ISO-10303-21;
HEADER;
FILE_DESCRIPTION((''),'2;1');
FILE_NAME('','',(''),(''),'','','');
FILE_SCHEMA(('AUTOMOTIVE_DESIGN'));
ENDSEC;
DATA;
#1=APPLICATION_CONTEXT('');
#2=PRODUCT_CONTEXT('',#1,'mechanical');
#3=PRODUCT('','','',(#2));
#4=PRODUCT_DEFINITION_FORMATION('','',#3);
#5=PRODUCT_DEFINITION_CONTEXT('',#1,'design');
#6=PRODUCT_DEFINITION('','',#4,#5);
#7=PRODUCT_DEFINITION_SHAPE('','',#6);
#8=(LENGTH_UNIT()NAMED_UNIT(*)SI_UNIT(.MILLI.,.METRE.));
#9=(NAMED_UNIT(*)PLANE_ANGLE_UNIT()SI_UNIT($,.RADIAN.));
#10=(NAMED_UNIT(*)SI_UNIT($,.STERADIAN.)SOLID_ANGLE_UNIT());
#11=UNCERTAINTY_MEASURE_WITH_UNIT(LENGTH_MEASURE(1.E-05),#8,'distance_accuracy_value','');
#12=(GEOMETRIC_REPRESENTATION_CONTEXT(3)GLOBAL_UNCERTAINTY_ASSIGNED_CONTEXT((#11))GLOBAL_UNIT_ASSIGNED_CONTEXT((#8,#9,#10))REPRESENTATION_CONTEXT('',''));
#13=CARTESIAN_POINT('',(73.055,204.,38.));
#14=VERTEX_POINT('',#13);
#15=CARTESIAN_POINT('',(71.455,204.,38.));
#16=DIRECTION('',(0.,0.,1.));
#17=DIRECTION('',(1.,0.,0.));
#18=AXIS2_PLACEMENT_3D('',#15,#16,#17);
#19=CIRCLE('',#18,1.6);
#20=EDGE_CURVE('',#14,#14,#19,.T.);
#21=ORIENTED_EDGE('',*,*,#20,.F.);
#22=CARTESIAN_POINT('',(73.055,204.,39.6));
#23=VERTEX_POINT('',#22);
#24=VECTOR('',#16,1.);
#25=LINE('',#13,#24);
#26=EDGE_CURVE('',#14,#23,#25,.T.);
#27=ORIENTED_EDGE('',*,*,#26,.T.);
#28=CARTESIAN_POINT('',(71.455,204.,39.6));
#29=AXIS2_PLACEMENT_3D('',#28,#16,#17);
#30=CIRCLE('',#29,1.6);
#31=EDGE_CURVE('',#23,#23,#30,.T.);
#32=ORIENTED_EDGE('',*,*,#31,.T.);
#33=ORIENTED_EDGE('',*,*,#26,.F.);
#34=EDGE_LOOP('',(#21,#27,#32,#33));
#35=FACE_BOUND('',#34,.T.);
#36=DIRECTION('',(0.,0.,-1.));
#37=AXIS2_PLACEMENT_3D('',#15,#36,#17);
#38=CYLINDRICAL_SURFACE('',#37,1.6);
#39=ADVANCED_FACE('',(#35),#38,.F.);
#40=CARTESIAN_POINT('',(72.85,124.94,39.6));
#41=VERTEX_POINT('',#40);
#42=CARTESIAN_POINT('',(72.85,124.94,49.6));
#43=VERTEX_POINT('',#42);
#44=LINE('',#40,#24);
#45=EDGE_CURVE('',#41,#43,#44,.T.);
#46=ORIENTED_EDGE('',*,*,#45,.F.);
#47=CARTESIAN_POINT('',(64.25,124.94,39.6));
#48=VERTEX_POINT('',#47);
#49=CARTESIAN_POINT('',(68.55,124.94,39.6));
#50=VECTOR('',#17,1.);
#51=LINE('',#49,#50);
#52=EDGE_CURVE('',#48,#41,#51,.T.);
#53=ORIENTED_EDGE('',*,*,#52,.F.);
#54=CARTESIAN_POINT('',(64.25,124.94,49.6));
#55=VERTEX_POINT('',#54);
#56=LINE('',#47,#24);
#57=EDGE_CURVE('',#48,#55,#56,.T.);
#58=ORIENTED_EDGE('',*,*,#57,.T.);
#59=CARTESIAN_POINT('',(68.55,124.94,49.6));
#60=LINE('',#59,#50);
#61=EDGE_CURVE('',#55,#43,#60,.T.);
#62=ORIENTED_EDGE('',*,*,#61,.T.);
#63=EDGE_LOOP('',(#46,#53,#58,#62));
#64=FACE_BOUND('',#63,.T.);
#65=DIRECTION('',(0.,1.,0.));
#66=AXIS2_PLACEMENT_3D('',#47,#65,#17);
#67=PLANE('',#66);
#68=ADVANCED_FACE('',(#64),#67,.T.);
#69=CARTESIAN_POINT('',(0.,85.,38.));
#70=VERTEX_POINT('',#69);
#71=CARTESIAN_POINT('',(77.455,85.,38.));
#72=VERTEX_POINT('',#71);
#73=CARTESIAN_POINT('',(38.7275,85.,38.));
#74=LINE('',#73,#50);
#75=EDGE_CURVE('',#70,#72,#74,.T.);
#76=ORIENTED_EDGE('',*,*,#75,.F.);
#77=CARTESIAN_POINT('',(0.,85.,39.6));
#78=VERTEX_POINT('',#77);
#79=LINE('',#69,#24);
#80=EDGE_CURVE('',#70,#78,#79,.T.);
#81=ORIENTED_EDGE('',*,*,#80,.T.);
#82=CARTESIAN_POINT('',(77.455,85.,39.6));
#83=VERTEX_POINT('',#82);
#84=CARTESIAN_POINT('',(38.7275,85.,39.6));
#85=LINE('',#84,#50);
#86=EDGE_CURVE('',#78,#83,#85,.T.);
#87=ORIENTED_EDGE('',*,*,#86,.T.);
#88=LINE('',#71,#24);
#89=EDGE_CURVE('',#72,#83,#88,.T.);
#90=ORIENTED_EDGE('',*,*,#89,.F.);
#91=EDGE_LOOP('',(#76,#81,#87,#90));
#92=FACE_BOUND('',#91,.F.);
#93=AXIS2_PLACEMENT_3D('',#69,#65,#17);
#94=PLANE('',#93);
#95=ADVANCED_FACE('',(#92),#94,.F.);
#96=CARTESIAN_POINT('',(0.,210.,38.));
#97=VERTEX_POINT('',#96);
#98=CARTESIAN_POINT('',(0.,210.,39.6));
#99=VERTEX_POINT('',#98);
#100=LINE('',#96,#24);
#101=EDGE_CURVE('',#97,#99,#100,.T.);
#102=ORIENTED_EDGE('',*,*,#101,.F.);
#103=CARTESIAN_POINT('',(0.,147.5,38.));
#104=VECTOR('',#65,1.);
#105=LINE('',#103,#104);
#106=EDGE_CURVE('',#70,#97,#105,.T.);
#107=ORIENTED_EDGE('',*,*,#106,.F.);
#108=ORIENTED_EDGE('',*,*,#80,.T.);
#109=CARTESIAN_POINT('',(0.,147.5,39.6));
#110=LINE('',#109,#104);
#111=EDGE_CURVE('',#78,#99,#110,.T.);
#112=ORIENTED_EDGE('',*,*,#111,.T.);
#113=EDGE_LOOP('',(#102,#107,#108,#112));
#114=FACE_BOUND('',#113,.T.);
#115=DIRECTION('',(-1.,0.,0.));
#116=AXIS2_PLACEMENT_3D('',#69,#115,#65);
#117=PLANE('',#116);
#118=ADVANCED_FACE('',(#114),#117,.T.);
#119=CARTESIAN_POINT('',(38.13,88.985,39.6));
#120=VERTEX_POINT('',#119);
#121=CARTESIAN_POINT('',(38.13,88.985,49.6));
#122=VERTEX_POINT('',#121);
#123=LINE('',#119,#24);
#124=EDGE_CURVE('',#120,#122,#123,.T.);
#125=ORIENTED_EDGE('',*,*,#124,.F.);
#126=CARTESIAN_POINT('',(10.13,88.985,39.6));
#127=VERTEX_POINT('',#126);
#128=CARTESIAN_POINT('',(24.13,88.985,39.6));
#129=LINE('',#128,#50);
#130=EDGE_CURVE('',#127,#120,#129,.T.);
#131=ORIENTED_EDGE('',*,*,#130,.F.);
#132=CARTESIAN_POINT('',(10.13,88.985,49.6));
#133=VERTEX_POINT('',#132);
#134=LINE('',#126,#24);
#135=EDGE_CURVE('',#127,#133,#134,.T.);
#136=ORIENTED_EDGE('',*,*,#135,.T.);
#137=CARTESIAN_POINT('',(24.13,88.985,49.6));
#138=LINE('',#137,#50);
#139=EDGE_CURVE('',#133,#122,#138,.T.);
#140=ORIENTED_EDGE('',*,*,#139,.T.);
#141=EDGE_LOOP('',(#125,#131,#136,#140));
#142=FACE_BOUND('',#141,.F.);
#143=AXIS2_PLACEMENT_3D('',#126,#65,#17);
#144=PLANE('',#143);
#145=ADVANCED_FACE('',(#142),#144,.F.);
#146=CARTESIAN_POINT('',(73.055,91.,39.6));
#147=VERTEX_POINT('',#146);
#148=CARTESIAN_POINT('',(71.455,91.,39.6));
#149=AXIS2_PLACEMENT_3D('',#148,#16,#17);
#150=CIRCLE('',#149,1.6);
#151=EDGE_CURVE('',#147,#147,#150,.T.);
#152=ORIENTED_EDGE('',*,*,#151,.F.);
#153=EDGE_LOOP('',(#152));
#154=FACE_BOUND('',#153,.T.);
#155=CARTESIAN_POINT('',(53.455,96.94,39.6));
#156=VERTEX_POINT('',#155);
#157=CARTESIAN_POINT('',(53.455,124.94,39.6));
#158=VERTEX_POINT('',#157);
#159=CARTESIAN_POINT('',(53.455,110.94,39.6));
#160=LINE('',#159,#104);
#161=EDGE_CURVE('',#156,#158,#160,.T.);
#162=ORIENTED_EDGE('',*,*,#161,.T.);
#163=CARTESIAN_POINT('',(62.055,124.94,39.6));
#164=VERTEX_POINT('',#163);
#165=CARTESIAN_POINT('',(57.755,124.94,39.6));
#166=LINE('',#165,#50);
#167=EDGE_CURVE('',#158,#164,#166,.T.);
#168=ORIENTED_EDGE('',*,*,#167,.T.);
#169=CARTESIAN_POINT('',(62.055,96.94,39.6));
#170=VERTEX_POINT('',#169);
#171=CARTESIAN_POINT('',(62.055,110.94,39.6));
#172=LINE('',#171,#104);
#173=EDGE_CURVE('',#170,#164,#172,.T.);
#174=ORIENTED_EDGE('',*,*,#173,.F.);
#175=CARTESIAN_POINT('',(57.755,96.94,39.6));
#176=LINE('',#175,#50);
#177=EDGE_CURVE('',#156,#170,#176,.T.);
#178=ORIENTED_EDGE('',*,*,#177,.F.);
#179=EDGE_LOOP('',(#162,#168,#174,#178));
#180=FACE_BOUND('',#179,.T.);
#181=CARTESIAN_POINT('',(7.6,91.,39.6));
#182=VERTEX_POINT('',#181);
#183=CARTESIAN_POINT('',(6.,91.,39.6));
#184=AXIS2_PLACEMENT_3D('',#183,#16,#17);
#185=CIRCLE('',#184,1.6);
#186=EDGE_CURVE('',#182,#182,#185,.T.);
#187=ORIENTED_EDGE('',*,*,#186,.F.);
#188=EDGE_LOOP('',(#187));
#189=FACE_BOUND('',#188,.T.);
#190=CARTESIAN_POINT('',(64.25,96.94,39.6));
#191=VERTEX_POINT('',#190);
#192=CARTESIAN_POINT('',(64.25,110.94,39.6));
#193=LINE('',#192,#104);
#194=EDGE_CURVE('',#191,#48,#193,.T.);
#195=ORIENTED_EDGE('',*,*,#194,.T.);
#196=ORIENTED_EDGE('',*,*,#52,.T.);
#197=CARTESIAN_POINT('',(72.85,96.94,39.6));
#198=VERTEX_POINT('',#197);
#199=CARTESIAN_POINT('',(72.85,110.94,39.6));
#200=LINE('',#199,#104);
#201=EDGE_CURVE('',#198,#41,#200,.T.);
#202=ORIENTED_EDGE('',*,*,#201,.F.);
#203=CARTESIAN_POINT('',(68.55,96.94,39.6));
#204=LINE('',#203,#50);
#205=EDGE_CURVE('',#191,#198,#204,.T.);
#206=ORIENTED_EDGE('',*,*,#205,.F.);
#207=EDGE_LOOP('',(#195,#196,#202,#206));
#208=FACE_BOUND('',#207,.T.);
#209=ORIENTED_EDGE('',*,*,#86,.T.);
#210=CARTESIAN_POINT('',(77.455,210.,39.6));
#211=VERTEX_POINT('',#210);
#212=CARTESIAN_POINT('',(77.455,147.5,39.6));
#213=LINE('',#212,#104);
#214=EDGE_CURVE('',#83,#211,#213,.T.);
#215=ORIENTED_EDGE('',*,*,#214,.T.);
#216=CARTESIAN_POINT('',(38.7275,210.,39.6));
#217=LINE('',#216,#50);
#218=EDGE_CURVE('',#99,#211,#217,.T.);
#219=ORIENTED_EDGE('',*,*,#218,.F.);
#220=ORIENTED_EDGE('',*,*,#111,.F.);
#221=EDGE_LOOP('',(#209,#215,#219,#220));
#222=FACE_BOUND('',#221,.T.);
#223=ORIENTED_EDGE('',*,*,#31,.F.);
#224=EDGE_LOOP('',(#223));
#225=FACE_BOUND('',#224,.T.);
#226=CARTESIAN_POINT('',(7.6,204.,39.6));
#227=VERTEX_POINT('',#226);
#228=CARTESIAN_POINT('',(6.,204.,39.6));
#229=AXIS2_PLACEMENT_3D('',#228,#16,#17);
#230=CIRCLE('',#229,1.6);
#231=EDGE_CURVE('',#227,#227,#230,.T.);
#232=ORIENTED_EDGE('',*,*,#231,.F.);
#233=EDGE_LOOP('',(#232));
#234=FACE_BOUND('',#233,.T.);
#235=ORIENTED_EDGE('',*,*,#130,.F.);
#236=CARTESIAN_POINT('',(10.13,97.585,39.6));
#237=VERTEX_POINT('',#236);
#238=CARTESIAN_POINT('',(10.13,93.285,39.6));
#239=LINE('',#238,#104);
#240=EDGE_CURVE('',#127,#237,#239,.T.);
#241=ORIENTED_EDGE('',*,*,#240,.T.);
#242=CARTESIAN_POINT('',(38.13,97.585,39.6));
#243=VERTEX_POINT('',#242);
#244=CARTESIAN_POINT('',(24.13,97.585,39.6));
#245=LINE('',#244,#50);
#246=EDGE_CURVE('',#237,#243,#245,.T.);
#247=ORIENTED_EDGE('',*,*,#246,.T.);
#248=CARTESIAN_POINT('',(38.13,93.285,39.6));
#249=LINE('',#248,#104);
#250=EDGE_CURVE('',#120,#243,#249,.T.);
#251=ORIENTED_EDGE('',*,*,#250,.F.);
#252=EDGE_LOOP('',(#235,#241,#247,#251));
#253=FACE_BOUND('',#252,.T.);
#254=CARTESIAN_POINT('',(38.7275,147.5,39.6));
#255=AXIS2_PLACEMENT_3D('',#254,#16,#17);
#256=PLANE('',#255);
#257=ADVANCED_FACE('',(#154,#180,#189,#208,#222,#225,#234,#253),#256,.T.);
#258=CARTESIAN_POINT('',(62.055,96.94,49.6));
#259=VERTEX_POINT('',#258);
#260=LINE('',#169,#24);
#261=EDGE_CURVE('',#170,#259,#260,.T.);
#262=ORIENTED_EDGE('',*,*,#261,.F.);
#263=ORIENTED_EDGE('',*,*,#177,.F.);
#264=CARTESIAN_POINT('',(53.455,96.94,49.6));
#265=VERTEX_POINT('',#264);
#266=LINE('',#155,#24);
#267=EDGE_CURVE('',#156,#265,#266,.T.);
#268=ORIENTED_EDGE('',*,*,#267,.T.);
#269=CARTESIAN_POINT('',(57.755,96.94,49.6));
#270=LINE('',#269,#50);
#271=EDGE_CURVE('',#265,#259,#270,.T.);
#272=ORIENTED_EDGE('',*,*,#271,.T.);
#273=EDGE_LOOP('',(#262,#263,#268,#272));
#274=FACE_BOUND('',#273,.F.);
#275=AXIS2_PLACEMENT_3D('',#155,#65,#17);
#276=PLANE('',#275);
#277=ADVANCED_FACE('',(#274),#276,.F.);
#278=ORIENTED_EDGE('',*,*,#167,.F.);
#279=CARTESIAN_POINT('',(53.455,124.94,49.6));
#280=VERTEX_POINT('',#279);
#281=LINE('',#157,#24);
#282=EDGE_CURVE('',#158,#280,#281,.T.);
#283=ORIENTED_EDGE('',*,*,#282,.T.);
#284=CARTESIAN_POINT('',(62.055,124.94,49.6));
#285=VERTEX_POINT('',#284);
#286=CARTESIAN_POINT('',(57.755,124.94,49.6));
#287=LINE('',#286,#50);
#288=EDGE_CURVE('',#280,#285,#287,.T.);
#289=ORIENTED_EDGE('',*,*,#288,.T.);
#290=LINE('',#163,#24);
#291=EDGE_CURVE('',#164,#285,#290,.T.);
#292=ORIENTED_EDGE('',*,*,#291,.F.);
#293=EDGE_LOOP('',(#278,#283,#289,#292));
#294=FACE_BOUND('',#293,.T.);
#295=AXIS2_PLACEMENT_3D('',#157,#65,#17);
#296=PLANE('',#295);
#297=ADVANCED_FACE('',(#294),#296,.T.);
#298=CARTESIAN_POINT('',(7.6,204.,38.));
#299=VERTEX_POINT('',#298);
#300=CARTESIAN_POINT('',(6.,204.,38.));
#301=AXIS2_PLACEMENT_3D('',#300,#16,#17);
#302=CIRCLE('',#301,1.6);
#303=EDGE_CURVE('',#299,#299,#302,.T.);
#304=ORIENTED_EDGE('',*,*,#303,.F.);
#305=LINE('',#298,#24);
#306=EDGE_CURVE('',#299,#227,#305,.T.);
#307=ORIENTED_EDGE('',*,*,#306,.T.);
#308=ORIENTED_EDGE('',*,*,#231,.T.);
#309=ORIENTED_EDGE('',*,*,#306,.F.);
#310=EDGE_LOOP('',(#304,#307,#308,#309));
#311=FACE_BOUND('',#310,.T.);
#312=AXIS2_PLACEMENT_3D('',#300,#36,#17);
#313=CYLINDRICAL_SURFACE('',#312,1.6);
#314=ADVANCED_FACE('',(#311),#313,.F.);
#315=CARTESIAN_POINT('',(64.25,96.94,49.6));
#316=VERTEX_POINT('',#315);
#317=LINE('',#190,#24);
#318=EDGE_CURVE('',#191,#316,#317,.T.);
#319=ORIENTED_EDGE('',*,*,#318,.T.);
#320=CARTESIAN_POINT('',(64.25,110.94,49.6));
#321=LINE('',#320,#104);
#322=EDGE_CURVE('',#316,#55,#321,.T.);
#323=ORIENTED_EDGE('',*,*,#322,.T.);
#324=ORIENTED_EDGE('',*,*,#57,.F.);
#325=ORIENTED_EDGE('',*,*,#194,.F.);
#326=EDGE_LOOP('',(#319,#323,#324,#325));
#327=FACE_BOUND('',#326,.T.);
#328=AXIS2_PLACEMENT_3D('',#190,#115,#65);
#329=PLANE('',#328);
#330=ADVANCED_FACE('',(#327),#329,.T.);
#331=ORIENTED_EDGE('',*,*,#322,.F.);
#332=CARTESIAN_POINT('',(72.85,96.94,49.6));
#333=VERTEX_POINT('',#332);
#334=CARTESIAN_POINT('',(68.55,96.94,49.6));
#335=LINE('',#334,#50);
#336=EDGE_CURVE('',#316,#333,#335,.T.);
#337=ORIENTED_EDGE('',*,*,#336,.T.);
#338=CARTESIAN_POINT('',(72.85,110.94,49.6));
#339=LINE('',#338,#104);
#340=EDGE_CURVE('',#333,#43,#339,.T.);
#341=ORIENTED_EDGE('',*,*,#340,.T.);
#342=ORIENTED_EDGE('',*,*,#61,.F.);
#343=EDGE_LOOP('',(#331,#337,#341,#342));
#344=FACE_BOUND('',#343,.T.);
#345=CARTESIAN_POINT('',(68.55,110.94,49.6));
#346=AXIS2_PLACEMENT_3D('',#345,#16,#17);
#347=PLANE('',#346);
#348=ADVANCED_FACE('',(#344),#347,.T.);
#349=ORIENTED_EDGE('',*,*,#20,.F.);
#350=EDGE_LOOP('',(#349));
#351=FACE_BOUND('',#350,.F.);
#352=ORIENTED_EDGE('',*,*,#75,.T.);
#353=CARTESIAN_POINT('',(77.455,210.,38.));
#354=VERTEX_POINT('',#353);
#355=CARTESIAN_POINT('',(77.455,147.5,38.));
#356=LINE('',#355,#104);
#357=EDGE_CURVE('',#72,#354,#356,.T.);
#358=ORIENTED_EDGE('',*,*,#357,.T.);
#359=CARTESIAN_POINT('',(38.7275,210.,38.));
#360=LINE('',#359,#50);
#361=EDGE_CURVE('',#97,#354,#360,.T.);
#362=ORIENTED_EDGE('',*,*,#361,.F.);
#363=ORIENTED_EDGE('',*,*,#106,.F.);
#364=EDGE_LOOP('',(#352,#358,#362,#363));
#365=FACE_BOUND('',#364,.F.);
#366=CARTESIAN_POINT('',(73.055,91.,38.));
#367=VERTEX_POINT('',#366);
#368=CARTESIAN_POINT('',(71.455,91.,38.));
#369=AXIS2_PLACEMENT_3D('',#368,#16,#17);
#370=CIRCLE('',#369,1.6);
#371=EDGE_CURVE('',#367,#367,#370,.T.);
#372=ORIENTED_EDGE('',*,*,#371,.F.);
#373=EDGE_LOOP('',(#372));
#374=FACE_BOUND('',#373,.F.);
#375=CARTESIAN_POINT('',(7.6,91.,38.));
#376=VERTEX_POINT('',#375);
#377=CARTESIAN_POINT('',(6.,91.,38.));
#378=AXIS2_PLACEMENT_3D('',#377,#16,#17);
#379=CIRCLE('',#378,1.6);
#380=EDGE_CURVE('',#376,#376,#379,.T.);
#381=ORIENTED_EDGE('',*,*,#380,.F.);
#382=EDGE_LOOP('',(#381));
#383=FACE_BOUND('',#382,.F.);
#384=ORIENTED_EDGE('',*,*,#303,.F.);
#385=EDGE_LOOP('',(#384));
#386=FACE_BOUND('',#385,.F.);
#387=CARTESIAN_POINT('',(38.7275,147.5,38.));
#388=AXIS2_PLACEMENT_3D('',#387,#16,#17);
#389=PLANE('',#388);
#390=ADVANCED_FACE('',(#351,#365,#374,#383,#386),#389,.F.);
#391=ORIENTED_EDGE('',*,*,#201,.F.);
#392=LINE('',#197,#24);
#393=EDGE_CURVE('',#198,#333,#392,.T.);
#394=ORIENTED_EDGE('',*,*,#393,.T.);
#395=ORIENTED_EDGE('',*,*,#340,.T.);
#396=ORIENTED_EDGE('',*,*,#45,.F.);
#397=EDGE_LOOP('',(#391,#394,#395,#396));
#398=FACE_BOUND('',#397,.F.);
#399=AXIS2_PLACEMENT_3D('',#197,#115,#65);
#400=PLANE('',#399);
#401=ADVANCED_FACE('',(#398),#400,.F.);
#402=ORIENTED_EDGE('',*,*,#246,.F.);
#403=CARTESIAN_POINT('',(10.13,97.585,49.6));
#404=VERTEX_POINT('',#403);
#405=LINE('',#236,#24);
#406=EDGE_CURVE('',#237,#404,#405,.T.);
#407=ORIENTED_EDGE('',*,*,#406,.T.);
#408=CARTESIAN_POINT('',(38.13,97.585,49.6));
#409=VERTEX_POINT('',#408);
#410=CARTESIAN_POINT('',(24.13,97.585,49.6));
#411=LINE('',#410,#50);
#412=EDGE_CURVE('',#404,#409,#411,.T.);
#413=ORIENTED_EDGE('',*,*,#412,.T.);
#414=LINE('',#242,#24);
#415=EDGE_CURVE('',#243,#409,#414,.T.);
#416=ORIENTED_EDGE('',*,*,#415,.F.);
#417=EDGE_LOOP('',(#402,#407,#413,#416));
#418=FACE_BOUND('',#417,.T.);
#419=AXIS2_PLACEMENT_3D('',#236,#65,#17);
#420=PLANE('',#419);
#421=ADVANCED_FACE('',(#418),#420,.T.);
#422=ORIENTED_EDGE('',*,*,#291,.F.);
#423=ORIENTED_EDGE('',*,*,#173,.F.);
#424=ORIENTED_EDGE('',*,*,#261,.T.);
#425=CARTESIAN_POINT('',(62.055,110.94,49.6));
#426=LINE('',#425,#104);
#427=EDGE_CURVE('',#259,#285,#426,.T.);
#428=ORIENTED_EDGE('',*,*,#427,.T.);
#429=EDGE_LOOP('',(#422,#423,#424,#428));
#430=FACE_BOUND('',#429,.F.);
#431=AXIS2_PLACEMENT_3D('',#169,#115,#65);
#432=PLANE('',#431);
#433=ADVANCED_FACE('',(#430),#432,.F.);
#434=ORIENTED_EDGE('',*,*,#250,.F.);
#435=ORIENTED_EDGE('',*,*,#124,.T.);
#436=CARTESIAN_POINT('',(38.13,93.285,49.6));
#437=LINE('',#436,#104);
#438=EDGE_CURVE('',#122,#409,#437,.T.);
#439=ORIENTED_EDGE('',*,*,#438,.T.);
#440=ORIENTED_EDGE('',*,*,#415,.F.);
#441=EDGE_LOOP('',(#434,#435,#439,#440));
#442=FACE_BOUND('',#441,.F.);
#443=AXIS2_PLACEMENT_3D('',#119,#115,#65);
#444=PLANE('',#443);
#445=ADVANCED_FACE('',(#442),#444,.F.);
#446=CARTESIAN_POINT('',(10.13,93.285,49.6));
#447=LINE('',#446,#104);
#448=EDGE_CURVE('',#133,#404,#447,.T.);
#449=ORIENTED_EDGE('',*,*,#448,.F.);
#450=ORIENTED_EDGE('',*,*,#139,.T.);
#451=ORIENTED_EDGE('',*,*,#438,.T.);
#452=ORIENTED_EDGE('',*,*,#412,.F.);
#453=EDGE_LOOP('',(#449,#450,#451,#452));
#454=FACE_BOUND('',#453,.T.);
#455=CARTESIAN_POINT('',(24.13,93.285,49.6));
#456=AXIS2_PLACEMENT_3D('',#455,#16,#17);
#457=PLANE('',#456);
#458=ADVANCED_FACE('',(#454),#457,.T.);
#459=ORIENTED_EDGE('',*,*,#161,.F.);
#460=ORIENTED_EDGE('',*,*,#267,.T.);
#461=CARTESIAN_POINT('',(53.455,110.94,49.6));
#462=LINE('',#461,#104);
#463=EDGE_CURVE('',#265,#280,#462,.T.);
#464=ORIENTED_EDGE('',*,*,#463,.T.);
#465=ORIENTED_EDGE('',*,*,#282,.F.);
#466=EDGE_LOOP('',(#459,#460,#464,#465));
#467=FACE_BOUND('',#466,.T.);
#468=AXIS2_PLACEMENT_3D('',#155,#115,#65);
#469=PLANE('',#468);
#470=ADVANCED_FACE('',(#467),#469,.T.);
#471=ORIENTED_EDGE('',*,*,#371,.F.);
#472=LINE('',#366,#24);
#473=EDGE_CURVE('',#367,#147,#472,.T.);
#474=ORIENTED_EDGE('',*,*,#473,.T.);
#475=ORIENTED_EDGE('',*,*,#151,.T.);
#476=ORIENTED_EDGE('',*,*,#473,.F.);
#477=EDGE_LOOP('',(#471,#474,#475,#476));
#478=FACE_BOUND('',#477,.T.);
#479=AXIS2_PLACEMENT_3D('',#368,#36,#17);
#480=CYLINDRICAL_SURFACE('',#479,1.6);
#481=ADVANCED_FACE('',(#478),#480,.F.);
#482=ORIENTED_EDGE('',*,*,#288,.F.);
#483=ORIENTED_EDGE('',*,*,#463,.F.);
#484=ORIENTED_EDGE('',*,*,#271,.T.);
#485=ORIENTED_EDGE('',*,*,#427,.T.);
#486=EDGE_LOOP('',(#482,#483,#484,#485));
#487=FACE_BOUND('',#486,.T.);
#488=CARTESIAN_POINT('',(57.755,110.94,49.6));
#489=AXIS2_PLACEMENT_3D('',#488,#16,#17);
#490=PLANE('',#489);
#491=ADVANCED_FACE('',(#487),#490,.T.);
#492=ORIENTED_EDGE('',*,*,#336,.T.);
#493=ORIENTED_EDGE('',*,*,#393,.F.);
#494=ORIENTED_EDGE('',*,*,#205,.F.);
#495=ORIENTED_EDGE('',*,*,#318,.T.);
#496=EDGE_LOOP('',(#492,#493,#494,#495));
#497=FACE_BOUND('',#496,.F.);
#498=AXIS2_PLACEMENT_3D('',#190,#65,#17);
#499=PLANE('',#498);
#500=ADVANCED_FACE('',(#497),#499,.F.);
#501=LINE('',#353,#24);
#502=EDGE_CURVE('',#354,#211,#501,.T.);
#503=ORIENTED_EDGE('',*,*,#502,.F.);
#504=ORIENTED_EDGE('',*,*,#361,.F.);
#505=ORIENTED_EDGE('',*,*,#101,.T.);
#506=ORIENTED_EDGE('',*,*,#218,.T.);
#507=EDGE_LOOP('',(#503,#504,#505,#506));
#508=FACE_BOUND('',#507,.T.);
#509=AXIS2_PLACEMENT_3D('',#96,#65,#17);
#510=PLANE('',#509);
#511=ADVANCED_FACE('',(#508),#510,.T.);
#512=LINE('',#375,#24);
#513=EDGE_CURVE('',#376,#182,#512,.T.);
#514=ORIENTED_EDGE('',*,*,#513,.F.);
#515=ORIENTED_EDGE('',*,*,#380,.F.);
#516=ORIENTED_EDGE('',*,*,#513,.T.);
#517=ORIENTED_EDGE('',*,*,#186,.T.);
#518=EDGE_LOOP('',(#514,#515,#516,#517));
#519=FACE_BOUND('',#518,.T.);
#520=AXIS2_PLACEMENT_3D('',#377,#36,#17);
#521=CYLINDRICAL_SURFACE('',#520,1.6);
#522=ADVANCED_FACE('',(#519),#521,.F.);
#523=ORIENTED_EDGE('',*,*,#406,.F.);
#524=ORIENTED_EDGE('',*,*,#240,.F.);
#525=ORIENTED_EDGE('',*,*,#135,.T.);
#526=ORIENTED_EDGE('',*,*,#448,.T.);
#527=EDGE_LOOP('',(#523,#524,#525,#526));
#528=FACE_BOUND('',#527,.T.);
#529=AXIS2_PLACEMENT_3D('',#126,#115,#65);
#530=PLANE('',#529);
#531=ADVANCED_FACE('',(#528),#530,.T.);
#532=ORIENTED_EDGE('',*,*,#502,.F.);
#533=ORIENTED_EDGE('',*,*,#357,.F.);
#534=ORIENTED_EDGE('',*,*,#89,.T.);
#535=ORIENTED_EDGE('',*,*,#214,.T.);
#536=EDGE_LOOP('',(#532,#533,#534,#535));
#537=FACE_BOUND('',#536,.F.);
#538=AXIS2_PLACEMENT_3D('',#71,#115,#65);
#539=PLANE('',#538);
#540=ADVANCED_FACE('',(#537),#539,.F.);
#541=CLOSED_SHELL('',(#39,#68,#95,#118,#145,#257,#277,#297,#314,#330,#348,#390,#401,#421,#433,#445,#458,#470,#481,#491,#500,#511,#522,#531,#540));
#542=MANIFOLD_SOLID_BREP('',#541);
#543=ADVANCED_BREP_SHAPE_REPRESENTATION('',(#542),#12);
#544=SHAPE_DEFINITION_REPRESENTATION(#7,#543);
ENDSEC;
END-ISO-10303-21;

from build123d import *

# Parameters (mm, degrees)
SKETCH009_W      = 28
SKETCH009_H      = 8.6
SKETCH009_W_2    = 8.6
SKETCH009_H_2    = 28
EXTRUDE009_DEPTH = 10
SKETCH008_W      = 77.455
SKETCH008_H      = 125
SKETCH008_R      = 1.6
EXTRUDE008_DEPTH = 1.6


with BuildPart() as extrude009:
    # Sketch009 (on Face10 of Extrude008) → Extrude009 (new body)
    with BuildSketch(Plane.XY.offset(39.6)):
        with Locations((24.13, 93.285)):
            Rectangle(SKETCH009_W, SKETCH009_H)
        with Locations((57.755, 110.94)):
            Rectangle(SKETCH009_W_2, SKETCH009_H_2)
        with Locations((68.55, 110.94)):
            Rectangle(SKETCH009_W_2, SKETCH009_H_2)
    extrude(amount=EXTRUDE009_DEPTH)


with BuildPart() as clock:
    # Sketch008 → Extrude008 (new body)
    with BuildSketch(Plane.XY.offset(38)):
        with Locations((38.7275, 147.5)):
            Rectangle(SKETCH008_W, SKETCH008_H)
        with Locations((6, 204)):
            Circle(SKETCH008_R, mode=Mode.SUBTRACT)
        with Locations((6, 91)):
            Circle(SKETCH008_R, mode=Mode.SUBTRACT)
        with Locations((71.455, 91)):
            Circle(SKETCH008_R, mode=Mode.SUBTRACT)
        with Locations((71.455, 204)):
            Circle(SKETCH008_R, mode=Mode.SUBTRACT)
    extrude(amount=EXTRUDE008_DEPTH)

    # Fusion: union Extrude009
    add(extrude009.part)


solid = clock.part
